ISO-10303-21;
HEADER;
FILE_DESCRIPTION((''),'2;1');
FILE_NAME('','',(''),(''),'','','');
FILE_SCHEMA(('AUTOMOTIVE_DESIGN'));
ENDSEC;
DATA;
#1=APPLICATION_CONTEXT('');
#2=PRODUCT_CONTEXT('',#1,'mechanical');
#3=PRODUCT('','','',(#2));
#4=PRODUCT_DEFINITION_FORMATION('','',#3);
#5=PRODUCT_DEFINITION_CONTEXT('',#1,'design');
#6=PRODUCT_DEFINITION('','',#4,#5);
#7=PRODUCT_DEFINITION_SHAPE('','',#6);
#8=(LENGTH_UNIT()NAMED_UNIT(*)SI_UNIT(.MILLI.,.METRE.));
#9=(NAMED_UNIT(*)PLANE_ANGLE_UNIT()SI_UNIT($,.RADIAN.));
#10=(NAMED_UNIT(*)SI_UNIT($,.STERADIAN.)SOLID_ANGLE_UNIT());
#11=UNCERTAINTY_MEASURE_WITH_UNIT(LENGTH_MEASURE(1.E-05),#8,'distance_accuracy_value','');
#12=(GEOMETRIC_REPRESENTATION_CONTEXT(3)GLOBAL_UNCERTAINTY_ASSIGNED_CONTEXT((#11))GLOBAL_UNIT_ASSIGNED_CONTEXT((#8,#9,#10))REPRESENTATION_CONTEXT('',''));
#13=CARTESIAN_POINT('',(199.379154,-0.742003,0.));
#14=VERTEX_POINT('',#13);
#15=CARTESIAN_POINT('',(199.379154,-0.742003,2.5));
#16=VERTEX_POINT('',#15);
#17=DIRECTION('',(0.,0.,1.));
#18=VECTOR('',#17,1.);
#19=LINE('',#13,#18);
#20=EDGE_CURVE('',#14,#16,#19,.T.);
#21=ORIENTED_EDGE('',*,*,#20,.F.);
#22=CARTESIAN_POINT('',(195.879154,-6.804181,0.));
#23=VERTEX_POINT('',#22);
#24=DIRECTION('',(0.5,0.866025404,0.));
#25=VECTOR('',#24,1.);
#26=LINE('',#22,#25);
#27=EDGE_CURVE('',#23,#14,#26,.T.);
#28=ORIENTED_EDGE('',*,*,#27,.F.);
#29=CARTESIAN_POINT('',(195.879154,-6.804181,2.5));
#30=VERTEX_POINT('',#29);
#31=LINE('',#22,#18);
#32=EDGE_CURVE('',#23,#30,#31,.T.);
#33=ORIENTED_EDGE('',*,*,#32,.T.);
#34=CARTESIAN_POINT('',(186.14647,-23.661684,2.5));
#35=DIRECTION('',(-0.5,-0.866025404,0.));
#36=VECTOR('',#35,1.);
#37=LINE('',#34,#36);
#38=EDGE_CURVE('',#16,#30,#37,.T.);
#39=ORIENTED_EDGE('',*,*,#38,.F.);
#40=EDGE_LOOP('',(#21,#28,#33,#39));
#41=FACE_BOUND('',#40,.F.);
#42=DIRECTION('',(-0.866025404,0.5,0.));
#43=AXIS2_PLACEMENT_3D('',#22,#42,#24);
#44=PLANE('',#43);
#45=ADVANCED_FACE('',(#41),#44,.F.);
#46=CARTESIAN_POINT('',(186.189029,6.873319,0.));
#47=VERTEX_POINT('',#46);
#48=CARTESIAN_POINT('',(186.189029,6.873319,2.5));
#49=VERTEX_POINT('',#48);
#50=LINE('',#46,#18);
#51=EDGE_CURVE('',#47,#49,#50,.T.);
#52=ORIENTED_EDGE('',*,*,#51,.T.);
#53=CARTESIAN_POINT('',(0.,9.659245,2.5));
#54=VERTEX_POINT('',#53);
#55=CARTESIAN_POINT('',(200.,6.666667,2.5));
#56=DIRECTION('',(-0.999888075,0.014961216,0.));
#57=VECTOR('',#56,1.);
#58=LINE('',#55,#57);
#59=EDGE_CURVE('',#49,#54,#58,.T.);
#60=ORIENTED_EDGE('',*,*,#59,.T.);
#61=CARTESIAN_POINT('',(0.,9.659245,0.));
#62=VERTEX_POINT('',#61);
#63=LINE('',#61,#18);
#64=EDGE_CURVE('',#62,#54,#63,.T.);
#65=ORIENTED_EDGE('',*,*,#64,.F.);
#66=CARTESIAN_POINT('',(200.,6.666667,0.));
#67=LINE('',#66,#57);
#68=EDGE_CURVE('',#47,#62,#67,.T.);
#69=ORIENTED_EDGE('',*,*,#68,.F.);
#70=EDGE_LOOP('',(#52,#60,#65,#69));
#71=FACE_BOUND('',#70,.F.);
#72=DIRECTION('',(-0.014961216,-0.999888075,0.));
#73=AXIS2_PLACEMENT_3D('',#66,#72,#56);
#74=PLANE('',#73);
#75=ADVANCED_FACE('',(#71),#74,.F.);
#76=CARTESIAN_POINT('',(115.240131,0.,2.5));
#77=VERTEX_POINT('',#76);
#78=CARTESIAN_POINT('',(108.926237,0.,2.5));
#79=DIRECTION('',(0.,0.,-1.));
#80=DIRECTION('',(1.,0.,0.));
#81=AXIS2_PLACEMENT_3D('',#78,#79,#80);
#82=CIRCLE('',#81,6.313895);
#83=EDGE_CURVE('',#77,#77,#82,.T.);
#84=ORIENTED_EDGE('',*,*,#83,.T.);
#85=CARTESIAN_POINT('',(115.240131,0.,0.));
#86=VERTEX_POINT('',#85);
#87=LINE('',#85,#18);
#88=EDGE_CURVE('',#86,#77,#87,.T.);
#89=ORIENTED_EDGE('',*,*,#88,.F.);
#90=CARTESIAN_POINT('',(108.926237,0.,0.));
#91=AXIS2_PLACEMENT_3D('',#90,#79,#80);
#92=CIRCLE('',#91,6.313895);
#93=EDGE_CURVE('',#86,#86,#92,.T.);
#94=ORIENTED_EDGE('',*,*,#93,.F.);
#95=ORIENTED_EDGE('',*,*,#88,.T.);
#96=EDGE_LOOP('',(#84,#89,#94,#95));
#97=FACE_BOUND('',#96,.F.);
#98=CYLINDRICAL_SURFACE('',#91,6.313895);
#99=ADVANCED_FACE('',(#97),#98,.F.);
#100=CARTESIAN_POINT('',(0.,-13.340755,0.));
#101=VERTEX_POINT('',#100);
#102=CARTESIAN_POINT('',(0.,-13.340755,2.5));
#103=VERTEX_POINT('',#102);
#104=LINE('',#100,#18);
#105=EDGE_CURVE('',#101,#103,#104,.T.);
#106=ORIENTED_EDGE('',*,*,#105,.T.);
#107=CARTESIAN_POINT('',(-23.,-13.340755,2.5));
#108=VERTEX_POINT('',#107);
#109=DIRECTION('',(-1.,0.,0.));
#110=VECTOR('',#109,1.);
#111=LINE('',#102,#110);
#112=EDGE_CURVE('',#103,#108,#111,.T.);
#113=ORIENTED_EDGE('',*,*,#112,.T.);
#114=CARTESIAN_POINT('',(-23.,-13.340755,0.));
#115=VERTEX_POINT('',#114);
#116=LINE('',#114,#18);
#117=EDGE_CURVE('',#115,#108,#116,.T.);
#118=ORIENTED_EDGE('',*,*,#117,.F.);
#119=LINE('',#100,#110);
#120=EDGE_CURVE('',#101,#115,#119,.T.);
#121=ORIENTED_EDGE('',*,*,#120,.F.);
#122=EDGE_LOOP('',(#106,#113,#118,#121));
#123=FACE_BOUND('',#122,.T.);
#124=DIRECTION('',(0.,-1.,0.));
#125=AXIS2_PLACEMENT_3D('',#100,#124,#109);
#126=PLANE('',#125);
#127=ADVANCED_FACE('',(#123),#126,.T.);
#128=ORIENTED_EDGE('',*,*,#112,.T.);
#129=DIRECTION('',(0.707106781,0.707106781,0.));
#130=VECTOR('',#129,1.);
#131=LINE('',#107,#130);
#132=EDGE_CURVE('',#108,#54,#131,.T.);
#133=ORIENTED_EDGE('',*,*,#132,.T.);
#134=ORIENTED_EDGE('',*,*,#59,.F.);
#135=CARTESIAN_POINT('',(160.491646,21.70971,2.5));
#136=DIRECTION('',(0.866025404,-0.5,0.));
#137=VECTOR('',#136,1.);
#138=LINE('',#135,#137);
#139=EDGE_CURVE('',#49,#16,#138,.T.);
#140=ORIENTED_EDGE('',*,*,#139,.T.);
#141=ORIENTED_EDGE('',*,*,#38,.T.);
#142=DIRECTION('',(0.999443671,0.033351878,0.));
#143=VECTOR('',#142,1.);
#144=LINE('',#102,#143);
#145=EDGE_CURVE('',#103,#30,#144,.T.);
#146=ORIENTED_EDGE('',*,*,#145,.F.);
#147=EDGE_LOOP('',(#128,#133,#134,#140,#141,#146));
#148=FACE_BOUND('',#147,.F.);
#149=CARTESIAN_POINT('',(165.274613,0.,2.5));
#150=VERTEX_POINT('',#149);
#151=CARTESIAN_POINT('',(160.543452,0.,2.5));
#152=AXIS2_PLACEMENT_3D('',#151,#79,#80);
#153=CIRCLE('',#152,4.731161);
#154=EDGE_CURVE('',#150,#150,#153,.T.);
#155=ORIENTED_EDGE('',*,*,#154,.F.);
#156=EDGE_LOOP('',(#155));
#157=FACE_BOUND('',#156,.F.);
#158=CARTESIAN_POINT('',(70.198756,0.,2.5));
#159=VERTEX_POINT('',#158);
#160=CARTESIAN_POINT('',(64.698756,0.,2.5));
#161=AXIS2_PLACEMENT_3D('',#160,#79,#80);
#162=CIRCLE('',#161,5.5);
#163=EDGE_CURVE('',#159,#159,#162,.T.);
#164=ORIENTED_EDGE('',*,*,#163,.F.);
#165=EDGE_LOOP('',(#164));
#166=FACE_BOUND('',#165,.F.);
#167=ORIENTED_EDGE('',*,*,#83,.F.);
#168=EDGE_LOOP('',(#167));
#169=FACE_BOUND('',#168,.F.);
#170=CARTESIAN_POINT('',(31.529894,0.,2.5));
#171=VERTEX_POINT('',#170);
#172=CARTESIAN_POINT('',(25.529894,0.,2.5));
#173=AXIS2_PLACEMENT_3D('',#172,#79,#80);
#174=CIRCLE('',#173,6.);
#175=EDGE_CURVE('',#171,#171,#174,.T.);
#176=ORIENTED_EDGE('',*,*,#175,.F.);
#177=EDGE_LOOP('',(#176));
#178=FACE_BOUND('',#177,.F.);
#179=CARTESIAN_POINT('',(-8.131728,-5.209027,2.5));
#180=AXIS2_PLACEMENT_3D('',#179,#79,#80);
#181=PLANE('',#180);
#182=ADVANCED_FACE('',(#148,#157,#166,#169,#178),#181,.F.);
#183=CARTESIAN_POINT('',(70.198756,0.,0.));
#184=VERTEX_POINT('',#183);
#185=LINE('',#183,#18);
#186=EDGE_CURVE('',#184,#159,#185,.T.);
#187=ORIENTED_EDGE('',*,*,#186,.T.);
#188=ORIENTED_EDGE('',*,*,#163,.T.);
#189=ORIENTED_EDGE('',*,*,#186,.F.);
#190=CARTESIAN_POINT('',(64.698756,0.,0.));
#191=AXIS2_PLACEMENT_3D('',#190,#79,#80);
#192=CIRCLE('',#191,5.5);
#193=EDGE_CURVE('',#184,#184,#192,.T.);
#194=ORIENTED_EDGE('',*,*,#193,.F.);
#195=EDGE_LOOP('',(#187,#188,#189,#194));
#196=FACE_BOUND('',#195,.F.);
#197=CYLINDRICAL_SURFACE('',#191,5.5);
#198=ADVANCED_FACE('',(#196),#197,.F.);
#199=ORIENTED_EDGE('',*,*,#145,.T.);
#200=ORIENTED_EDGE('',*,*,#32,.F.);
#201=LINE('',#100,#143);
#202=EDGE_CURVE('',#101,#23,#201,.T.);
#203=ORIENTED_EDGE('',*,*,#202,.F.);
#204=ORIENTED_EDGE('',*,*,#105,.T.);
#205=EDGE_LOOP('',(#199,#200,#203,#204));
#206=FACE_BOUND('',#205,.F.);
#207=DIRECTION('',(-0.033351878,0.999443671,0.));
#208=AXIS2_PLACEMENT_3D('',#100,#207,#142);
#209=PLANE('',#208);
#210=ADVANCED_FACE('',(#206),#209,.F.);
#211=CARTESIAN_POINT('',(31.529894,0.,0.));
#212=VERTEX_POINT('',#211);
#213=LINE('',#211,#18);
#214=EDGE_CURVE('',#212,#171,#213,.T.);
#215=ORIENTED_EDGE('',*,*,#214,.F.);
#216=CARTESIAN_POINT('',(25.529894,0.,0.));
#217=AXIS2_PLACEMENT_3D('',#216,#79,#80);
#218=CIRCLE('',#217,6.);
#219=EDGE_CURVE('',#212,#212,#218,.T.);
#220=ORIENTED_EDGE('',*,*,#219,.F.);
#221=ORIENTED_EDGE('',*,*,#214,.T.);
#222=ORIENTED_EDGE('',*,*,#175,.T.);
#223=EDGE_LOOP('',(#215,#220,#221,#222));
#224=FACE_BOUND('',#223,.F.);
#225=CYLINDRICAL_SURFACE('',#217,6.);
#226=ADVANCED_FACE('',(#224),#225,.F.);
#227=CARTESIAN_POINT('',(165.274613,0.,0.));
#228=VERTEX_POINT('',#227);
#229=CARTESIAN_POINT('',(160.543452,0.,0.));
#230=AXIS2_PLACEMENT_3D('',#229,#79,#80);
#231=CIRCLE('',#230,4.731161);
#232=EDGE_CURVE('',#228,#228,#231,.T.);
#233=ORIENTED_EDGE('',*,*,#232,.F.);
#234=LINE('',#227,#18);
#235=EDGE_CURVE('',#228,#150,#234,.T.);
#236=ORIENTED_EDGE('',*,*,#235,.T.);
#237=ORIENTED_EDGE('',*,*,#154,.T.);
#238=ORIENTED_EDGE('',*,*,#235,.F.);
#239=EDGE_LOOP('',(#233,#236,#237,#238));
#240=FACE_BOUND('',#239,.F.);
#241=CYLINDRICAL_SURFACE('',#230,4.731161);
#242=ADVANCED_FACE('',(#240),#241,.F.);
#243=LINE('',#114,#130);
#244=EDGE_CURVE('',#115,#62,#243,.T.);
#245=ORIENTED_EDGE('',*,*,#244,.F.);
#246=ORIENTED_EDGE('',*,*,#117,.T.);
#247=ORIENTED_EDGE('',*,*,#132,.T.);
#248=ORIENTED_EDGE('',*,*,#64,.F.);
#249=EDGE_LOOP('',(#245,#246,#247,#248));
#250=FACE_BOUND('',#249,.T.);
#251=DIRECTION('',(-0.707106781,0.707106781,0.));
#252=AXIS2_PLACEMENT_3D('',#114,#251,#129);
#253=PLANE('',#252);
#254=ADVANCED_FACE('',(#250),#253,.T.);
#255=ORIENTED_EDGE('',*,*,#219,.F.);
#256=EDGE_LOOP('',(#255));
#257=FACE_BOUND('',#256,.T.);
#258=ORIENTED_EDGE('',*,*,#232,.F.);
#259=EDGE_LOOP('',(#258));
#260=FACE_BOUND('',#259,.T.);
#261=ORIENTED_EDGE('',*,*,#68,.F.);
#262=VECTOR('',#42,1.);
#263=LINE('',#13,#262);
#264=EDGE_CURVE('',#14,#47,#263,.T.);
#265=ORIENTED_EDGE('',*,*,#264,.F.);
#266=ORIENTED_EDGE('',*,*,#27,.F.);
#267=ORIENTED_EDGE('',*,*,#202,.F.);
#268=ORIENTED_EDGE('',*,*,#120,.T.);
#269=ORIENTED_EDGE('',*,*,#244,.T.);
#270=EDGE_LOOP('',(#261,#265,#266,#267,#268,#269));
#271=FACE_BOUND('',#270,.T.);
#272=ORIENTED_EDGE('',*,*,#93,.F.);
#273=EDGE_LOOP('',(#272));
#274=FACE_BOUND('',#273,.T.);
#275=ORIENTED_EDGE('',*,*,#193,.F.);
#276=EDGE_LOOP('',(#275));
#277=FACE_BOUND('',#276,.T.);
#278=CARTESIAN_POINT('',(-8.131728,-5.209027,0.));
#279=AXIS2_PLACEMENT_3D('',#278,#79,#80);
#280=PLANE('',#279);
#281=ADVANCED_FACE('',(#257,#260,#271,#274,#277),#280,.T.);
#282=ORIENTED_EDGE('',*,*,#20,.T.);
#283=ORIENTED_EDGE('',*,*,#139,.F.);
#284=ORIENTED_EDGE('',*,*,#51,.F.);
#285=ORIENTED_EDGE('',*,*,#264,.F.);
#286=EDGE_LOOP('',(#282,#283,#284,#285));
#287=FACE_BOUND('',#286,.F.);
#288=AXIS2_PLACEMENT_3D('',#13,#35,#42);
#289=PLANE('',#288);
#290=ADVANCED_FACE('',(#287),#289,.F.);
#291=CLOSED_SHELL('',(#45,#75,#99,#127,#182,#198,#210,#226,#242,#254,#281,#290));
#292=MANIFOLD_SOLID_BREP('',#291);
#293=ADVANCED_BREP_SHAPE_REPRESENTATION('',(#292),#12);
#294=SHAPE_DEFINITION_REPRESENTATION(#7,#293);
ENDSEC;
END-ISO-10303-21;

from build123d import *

# Parameters (mm, degrees)
F1_DEPTH = 2.5
F3_DEPTH = 25
F5_DEPTH = 25
F7_DEPTH = 25
F9_DEPTH = 2.5


with BuildPart() as f1:
    # F0 (on Top) → F1 (new body)
    with BuildSketch(Plane.XY):
        with BuildLine():
            ThreePointArc((155.8122909032, 0), (160.5434517066, 4.7311608034), (165.27461251, 0))
            Line((165.27461251, 0), (200, 0))
            Line((200, 0), (200, 6.6666666667))
            Line((200, 6.6666666667), (0, 9.6592448227))
            Line((0, 9.6592448227), (0, 0))
            Line((0, 0), (19.529893736, 0))
            ThreePointArc((19.529893736, 0), (25.529893736, 6), (31.529893736, 0))
            Line((31.529893736, 0), (59.1987557411, 0))
            ThreePointArc((59.1987557411, 0), (64.6987557411, 5.5), (70.1987557411, 0))
            Line((70.1987557411, 0), (102.6123418173, 0))
            ThreePointArc((102.6123418173, 0), (108.9262366295, 6.3138948122), (115.2401314417, 0))
            Line((115.2401314417, 0), (155.8122909032, 0))
        make_face()
        with BuildLine():
            Line((200, 0), (165.27461251, 0))
            ThreePointArc((165.27461251, 0), (160.5434517066, -4.7311608034), (155.8122909032, 0))
            Line((155.8122909032, 0), (115.2401314417, 0))
            ThreePointArc((115.2401314417, 0), (108.9262366295, -6.3138948122), (102.6123418173, 0))
            Line((102.6123418173, 0), (70.1987557411, 0))
            ThreePointArc((70.1987557411, 0), (64.6987557411, -5.5), (59.1987557411, 0))
            Line((59.1987557411, 0), (31.529893736, 0))
            ThreePointArc((31.529893736, 0), (25.529893736, -6), (19.529893736, 0))
            Line((19.529893736, 0), (0, 0))
            Line((0, 0), (0, -13.3407551773))
            Line((0, -13.3407551773), (200, -6.6666666667))
            Line((200, -6.6666666667), (200, 0))
        make_face()
    extrude(amount=F1_DEPTH)

    # F2 (on face) → F3 (cut)
    with BuildSketch(Plane.XY.offset(2.5)):
        Polygon((188.7384860036, 6.8351714706), (200, 0.3333333333), (200, 6.6666666667), align=None)
    extrude(amount=-F3_DEPTH, mode=Mode.SUBTRACT)

    # F4 (on face) → F5 (cut)
    with BuildSketch(Plane(origin=(0, 0, 0), x_dir=(1, 0, 0), z_dir=(0, 0, -1))):
        Polygon((195.8791541104, 6.8041811177), (200, -0.3333333333), (200, 6.6666666667), align=None)
    extrude(amount=-F5_DEPTH, mode=Mode.SUBTRACT)

    # F6 (on face) → F7 (cut)
    with BuildSketch(Plane(origin=(0, 0, 0), x_dir=(1, 0, 0), z_dir=(0, 0, -1))):
        Polygon((200, -0.3333333333), (199.3791541104, 0.7420032912), (186.1890294883, -6.87331871), (188.7384860036, -6.8351714706), align=None)
    extrude(amount=-F7_DEPTH, mode=Mode.SUBTRACT)

    # F8 (on face) → F9 (join)
    with BuildSketch(Plane(origin=(0, 0, 0), x_dir=(1, 0, 0), z_dir=(0, 0, -1))):
        Polygon((0, -9.6592448227), (0, 13.3407551773), (-23, 13.3407551773), align=None)
    extrude(amount=-F9_DEPTH)


solid = f1.part
